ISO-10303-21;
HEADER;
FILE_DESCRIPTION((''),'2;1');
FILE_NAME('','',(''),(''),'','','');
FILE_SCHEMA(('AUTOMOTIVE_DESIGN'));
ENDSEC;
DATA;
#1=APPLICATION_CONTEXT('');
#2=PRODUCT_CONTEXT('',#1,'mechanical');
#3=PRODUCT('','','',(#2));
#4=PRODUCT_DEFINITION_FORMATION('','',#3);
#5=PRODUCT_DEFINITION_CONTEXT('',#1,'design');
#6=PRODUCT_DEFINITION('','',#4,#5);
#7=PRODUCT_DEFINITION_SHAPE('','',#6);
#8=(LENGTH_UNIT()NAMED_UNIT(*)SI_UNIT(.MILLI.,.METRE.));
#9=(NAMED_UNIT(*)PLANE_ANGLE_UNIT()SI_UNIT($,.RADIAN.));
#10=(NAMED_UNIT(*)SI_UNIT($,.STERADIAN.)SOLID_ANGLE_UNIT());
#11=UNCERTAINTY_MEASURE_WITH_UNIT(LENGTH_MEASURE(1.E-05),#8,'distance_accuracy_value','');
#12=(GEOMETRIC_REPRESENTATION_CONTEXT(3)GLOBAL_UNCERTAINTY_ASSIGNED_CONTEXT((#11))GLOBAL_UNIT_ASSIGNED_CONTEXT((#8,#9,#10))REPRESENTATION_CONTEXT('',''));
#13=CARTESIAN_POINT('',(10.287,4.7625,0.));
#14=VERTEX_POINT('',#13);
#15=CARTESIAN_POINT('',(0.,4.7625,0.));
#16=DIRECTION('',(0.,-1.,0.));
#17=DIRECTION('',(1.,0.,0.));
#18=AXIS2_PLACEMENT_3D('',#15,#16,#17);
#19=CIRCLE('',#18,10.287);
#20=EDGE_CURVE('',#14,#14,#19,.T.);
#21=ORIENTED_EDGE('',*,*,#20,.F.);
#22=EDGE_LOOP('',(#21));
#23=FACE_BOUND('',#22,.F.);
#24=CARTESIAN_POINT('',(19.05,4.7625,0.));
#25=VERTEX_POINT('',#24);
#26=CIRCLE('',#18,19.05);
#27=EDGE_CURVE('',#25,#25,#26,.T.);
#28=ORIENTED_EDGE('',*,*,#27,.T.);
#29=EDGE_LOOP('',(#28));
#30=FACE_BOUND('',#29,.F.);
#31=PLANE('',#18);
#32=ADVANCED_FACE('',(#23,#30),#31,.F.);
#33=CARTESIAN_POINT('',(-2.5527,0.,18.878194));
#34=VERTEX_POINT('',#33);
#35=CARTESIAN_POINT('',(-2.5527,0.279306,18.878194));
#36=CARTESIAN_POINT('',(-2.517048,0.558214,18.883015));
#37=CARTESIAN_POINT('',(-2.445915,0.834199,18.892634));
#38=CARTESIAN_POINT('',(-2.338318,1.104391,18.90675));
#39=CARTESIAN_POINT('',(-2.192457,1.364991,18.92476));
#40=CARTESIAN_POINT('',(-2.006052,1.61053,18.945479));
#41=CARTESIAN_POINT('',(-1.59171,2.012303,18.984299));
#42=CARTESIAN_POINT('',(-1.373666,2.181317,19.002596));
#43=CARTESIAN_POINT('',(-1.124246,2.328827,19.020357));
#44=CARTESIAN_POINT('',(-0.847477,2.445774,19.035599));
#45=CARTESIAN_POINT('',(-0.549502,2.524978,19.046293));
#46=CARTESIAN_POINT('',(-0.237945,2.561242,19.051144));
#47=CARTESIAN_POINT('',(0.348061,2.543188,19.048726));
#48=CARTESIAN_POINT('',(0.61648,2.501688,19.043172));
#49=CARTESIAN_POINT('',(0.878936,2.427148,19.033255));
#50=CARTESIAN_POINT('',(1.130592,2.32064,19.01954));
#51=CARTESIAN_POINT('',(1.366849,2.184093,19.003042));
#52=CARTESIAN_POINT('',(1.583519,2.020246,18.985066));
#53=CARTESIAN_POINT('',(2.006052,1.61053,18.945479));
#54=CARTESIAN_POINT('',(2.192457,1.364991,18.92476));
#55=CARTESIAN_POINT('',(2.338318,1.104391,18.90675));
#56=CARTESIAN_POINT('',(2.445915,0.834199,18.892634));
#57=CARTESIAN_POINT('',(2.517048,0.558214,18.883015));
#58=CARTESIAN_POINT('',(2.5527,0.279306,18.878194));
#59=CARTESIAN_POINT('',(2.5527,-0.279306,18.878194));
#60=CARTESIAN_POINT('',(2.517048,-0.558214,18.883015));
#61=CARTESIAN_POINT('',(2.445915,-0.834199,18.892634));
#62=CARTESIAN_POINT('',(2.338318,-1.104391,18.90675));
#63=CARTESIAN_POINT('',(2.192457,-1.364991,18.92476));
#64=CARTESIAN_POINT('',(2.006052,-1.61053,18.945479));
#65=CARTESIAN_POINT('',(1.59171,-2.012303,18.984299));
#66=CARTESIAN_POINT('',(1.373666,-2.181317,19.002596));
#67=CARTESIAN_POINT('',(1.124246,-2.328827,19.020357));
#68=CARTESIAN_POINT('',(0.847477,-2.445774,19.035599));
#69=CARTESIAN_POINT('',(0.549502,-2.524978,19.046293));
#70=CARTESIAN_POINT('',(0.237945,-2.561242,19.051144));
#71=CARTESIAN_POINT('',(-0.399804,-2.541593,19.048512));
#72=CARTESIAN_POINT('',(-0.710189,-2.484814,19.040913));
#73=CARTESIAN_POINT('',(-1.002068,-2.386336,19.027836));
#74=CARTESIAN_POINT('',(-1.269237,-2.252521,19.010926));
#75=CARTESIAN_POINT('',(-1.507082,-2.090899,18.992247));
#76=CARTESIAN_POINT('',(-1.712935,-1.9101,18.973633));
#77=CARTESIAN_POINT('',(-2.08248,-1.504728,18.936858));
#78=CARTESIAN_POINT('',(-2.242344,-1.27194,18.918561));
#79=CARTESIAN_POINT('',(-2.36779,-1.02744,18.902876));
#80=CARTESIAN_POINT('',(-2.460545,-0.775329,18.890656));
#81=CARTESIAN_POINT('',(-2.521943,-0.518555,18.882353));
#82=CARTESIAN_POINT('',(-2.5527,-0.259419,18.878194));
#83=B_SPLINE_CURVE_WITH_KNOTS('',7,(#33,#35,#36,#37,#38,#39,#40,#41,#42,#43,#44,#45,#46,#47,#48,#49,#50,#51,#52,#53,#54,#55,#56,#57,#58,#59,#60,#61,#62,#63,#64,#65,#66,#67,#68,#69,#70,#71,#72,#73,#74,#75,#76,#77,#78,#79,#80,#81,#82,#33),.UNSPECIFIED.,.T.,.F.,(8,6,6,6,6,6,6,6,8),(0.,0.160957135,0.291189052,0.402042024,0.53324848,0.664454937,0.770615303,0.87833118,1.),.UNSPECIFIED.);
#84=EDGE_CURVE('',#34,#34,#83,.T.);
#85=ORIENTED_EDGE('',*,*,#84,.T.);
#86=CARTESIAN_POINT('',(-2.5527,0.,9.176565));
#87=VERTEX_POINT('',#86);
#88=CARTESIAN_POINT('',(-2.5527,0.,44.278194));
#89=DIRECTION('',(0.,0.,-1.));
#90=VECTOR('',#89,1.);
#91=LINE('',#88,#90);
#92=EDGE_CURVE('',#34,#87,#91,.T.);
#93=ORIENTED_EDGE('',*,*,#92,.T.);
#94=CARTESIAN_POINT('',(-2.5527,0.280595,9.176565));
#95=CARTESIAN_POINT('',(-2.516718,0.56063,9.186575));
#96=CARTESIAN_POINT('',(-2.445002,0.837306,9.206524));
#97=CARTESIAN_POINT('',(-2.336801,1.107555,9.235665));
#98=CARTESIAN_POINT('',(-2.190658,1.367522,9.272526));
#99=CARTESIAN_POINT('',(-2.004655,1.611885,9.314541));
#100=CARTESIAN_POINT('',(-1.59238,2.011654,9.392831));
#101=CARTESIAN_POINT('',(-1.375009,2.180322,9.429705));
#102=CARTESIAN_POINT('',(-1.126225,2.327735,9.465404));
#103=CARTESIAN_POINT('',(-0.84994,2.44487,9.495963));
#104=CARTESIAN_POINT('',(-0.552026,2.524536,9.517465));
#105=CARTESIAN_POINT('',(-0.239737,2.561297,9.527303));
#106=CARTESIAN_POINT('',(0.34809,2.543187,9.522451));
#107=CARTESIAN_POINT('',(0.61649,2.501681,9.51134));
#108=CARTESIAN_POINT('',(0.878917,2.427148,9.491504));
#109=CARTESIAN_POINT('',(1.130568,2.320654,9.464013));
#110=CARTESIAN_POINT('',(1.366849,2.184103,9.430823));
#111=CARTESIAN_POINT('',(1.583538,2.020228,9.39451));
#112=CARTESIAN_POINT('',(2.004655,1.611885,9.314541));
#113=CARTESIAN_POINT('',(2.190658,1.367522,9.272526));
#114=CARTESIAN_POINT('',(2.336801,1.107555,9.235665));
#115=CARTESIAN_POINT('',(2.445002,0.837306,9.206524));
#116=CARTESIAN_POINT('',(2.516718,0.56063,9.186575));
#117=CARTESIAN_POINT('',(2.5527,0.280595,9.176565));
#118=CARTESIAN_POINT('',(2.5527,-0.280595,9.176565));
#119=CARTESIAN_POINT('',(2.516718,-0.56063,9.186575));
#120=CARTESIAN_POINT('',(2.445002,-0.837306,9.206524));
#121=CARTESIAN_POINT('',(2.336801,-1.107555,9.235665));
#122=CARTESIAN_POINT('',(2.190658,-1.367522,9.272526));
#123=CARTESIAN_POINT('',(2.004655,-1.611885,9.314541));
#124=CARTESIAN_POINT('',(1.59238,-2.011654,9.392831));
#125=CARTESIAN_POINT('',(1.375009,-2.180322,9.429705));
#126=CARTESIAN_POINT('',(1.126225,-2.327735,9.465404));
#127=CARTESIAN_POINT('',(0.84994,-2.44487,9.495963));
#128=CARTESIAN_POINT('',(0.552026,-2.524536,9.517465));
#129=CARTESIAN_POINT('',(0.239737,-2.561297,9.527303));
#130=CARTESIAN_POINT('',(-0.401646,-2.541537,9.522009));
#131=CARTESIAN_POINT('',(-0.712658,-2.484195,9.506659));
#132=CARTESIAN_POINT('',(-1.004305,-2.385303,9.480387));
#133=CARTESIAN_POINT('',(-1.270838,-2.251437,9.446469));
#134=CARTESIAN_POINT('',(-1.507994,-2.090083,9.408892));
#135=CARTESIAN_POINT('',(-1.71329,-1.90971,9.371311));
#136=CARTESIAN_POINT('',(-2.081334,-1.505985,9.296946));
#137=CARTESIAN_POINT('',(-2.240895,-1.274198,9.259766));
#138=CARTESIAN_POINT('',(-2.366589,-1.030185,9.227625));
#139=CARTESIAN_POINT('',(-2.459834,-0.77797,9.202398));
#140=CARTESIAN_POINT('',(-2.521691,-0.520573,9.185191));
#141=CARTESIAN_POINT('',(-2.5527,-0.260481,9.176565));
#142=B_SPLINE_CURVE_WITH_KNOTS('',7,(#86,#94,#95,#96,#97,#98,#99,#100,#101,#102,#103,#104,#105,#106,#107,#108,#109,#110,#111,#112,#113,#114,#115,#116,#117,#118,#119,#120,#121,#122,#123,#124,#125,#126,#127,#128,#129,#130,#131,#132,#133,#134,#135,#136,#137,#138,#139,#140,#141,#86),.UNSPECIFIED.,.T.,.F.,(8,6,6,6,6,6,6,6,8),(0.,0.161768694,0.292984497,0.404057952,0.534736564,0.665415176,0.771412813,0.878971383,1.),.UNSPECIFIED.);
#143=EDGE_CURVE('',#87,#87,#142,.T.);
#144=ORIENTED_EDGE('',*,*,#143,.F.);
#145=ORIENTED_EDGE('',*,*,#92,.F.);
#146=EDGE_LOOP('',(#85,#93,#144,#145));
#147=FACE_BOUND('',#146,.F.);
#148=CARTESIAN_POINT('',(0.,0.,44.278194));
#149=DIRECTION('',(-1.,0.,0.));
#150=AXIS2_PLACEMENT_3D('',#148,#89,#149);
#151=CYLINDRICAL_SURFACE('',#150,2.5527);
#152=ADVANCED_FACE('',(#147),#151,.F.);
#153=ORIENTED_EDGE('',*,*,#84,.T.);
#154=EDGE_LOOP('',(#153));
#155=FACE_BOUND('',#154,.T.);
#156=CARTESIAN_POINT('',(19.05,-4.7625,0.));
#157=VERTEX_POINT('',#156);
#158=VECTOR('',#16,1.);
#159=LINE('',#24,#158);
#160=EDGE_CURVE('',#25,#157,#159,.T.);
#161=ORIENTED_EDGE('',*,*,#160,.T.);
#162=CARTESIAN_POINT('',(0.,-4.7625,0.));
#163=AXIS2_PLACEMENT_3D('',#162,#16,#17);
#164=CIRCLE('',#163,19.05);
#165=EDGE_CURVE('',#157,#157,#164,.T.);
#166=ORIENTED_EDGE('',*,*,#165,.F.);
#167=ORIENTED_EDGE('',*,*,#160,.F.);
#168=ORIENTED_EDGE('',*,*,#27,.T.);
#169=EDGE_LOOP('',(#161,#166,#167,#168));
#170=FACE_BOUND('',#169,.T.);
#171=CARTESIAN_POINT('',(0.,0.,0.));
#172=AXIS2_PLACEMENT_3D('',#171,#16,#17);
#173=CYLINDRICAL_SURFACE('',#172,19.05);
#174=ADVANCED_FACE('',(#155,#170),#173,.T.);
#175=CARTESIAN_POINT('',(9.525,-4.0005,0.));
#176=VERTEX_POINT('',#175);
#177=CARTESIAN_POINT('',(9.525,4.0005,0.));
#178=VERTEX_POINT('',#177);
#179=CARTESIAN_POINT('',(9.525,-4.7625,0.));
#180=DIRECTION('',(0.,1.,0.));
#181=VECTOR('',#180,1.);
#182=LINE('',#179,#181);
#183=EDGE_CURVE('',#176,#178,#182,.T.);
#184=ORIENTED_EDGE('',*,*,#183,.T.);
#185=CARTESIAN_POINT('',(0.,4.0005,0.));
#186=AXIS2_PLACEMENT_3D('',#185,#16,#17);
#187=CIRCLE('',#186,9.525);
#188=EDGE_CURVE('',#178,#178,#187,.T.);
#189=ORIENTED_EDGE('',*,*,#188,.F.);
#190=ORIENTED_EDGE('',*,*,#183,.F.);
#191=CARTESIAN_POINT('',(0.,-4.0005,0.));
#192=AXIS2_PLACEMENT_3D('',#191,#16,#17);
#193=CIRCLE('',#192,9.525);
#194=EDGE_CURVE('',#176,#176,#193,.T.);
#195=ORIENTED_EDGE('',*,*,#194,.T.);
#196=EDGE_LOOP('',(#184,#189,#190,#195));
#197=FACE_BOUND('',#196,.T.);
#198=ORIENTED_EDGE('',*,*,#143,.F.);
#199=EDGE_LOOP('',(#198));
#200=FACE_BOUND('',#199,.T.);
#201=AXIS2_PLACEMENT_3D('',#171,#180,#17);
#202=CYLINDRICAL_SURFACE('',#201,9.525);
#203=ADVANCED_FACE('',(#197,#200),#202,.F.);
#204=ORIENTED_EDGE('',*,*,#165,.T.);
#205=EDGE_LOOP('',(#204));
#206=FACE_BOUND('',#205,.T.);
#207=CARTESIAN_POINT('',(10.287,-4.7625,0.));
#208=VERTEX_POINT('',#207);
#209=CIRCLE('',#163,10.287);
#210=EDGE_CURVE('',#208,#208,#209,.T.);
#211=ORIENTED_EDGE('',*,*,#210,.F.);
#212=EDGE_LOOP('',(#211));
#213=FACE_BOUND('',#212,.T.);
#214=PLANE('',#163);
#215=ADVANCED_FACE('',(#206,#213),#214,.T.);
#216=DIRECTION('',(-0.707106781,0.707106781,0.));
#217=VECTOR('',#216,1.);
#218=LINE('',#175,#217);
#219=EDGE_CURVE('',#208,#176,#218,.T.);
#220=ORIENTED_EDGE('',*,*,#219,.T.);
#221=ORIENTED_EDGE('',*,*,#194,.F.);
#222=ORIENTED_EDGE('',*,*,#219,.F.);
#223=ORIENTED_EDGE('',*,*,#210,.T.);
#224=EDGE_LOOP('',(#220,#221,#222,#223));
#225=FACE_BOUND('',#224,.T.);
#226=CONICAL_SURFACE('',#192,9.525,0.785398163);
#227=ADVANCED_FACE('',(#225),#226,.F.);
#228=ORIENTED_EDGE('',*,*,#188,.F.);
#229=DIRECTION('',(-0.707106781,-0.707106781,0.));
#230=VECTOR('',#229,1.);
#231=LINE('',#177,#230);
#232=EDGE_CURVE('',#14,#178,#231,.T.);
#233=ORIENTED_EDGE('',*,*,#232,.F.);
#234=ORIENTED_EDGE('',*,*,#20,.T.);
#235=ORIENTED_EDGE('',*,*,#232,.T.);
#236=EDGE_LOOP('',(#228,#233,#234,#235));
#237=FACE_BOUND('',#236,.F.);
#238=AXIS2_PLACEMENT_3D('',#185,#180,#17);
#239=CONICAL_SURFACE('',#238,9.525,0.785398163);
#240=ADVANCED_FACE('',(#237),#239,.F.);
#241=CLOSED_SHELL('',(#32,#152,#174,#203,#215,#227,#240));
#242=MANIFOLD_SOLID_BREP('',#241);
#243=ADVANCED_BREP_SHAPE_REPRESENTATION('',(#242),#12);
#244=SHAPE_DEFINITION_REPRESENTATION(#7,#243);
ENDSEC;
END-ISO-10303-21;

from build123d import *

# Parameters (mm, degrees)
F0_R     = 19.05
F0_R_2   = 9.525
F1_DEPTH = 4.7625
F4_D     = 5.1054
F4_DEPTH = 25.4
F4_START = 0.1718057
F4_TIP   = 1.5338169022
F5_SIZE  = 0.762


with BuildPart() as f1:
    # F0 (on Front) → F1 (new body, symmetric)
    with BuildSketch(Plane.XZ):
        Circle(F0_R)
        Circle(F0_R_2, mode=Mode.SUBTRACT)
    extrude(amount=F1_DEPTH, both=True)

    # F4
    # its depths count from where the whole tool has entered the part; down to there all is cleared
    with Locations(Plane.XY.offset(19.05).offset(-F4_START)):
        with Locations((0, 0)):
            Hole(F4_D / 2, depth=F4_DEPTH)
            with Locations((0, 0, -(F4_DEPTH + F4_TIP / 2))):  # 118° drill point
                Cone(0, F4_D / 2, F4_TIP, mode=Mode.SUBTRACT)

    # F5
    f5_edges = [f1.edges().sort_by_distance(p)[0] for p in [
        (-9.525, -4.7625, 0),
        (-9.525, 4.7625, 0),
    ]]
    chamfer(f5_edges, length=F5_SIZE)


solid = f1.part
